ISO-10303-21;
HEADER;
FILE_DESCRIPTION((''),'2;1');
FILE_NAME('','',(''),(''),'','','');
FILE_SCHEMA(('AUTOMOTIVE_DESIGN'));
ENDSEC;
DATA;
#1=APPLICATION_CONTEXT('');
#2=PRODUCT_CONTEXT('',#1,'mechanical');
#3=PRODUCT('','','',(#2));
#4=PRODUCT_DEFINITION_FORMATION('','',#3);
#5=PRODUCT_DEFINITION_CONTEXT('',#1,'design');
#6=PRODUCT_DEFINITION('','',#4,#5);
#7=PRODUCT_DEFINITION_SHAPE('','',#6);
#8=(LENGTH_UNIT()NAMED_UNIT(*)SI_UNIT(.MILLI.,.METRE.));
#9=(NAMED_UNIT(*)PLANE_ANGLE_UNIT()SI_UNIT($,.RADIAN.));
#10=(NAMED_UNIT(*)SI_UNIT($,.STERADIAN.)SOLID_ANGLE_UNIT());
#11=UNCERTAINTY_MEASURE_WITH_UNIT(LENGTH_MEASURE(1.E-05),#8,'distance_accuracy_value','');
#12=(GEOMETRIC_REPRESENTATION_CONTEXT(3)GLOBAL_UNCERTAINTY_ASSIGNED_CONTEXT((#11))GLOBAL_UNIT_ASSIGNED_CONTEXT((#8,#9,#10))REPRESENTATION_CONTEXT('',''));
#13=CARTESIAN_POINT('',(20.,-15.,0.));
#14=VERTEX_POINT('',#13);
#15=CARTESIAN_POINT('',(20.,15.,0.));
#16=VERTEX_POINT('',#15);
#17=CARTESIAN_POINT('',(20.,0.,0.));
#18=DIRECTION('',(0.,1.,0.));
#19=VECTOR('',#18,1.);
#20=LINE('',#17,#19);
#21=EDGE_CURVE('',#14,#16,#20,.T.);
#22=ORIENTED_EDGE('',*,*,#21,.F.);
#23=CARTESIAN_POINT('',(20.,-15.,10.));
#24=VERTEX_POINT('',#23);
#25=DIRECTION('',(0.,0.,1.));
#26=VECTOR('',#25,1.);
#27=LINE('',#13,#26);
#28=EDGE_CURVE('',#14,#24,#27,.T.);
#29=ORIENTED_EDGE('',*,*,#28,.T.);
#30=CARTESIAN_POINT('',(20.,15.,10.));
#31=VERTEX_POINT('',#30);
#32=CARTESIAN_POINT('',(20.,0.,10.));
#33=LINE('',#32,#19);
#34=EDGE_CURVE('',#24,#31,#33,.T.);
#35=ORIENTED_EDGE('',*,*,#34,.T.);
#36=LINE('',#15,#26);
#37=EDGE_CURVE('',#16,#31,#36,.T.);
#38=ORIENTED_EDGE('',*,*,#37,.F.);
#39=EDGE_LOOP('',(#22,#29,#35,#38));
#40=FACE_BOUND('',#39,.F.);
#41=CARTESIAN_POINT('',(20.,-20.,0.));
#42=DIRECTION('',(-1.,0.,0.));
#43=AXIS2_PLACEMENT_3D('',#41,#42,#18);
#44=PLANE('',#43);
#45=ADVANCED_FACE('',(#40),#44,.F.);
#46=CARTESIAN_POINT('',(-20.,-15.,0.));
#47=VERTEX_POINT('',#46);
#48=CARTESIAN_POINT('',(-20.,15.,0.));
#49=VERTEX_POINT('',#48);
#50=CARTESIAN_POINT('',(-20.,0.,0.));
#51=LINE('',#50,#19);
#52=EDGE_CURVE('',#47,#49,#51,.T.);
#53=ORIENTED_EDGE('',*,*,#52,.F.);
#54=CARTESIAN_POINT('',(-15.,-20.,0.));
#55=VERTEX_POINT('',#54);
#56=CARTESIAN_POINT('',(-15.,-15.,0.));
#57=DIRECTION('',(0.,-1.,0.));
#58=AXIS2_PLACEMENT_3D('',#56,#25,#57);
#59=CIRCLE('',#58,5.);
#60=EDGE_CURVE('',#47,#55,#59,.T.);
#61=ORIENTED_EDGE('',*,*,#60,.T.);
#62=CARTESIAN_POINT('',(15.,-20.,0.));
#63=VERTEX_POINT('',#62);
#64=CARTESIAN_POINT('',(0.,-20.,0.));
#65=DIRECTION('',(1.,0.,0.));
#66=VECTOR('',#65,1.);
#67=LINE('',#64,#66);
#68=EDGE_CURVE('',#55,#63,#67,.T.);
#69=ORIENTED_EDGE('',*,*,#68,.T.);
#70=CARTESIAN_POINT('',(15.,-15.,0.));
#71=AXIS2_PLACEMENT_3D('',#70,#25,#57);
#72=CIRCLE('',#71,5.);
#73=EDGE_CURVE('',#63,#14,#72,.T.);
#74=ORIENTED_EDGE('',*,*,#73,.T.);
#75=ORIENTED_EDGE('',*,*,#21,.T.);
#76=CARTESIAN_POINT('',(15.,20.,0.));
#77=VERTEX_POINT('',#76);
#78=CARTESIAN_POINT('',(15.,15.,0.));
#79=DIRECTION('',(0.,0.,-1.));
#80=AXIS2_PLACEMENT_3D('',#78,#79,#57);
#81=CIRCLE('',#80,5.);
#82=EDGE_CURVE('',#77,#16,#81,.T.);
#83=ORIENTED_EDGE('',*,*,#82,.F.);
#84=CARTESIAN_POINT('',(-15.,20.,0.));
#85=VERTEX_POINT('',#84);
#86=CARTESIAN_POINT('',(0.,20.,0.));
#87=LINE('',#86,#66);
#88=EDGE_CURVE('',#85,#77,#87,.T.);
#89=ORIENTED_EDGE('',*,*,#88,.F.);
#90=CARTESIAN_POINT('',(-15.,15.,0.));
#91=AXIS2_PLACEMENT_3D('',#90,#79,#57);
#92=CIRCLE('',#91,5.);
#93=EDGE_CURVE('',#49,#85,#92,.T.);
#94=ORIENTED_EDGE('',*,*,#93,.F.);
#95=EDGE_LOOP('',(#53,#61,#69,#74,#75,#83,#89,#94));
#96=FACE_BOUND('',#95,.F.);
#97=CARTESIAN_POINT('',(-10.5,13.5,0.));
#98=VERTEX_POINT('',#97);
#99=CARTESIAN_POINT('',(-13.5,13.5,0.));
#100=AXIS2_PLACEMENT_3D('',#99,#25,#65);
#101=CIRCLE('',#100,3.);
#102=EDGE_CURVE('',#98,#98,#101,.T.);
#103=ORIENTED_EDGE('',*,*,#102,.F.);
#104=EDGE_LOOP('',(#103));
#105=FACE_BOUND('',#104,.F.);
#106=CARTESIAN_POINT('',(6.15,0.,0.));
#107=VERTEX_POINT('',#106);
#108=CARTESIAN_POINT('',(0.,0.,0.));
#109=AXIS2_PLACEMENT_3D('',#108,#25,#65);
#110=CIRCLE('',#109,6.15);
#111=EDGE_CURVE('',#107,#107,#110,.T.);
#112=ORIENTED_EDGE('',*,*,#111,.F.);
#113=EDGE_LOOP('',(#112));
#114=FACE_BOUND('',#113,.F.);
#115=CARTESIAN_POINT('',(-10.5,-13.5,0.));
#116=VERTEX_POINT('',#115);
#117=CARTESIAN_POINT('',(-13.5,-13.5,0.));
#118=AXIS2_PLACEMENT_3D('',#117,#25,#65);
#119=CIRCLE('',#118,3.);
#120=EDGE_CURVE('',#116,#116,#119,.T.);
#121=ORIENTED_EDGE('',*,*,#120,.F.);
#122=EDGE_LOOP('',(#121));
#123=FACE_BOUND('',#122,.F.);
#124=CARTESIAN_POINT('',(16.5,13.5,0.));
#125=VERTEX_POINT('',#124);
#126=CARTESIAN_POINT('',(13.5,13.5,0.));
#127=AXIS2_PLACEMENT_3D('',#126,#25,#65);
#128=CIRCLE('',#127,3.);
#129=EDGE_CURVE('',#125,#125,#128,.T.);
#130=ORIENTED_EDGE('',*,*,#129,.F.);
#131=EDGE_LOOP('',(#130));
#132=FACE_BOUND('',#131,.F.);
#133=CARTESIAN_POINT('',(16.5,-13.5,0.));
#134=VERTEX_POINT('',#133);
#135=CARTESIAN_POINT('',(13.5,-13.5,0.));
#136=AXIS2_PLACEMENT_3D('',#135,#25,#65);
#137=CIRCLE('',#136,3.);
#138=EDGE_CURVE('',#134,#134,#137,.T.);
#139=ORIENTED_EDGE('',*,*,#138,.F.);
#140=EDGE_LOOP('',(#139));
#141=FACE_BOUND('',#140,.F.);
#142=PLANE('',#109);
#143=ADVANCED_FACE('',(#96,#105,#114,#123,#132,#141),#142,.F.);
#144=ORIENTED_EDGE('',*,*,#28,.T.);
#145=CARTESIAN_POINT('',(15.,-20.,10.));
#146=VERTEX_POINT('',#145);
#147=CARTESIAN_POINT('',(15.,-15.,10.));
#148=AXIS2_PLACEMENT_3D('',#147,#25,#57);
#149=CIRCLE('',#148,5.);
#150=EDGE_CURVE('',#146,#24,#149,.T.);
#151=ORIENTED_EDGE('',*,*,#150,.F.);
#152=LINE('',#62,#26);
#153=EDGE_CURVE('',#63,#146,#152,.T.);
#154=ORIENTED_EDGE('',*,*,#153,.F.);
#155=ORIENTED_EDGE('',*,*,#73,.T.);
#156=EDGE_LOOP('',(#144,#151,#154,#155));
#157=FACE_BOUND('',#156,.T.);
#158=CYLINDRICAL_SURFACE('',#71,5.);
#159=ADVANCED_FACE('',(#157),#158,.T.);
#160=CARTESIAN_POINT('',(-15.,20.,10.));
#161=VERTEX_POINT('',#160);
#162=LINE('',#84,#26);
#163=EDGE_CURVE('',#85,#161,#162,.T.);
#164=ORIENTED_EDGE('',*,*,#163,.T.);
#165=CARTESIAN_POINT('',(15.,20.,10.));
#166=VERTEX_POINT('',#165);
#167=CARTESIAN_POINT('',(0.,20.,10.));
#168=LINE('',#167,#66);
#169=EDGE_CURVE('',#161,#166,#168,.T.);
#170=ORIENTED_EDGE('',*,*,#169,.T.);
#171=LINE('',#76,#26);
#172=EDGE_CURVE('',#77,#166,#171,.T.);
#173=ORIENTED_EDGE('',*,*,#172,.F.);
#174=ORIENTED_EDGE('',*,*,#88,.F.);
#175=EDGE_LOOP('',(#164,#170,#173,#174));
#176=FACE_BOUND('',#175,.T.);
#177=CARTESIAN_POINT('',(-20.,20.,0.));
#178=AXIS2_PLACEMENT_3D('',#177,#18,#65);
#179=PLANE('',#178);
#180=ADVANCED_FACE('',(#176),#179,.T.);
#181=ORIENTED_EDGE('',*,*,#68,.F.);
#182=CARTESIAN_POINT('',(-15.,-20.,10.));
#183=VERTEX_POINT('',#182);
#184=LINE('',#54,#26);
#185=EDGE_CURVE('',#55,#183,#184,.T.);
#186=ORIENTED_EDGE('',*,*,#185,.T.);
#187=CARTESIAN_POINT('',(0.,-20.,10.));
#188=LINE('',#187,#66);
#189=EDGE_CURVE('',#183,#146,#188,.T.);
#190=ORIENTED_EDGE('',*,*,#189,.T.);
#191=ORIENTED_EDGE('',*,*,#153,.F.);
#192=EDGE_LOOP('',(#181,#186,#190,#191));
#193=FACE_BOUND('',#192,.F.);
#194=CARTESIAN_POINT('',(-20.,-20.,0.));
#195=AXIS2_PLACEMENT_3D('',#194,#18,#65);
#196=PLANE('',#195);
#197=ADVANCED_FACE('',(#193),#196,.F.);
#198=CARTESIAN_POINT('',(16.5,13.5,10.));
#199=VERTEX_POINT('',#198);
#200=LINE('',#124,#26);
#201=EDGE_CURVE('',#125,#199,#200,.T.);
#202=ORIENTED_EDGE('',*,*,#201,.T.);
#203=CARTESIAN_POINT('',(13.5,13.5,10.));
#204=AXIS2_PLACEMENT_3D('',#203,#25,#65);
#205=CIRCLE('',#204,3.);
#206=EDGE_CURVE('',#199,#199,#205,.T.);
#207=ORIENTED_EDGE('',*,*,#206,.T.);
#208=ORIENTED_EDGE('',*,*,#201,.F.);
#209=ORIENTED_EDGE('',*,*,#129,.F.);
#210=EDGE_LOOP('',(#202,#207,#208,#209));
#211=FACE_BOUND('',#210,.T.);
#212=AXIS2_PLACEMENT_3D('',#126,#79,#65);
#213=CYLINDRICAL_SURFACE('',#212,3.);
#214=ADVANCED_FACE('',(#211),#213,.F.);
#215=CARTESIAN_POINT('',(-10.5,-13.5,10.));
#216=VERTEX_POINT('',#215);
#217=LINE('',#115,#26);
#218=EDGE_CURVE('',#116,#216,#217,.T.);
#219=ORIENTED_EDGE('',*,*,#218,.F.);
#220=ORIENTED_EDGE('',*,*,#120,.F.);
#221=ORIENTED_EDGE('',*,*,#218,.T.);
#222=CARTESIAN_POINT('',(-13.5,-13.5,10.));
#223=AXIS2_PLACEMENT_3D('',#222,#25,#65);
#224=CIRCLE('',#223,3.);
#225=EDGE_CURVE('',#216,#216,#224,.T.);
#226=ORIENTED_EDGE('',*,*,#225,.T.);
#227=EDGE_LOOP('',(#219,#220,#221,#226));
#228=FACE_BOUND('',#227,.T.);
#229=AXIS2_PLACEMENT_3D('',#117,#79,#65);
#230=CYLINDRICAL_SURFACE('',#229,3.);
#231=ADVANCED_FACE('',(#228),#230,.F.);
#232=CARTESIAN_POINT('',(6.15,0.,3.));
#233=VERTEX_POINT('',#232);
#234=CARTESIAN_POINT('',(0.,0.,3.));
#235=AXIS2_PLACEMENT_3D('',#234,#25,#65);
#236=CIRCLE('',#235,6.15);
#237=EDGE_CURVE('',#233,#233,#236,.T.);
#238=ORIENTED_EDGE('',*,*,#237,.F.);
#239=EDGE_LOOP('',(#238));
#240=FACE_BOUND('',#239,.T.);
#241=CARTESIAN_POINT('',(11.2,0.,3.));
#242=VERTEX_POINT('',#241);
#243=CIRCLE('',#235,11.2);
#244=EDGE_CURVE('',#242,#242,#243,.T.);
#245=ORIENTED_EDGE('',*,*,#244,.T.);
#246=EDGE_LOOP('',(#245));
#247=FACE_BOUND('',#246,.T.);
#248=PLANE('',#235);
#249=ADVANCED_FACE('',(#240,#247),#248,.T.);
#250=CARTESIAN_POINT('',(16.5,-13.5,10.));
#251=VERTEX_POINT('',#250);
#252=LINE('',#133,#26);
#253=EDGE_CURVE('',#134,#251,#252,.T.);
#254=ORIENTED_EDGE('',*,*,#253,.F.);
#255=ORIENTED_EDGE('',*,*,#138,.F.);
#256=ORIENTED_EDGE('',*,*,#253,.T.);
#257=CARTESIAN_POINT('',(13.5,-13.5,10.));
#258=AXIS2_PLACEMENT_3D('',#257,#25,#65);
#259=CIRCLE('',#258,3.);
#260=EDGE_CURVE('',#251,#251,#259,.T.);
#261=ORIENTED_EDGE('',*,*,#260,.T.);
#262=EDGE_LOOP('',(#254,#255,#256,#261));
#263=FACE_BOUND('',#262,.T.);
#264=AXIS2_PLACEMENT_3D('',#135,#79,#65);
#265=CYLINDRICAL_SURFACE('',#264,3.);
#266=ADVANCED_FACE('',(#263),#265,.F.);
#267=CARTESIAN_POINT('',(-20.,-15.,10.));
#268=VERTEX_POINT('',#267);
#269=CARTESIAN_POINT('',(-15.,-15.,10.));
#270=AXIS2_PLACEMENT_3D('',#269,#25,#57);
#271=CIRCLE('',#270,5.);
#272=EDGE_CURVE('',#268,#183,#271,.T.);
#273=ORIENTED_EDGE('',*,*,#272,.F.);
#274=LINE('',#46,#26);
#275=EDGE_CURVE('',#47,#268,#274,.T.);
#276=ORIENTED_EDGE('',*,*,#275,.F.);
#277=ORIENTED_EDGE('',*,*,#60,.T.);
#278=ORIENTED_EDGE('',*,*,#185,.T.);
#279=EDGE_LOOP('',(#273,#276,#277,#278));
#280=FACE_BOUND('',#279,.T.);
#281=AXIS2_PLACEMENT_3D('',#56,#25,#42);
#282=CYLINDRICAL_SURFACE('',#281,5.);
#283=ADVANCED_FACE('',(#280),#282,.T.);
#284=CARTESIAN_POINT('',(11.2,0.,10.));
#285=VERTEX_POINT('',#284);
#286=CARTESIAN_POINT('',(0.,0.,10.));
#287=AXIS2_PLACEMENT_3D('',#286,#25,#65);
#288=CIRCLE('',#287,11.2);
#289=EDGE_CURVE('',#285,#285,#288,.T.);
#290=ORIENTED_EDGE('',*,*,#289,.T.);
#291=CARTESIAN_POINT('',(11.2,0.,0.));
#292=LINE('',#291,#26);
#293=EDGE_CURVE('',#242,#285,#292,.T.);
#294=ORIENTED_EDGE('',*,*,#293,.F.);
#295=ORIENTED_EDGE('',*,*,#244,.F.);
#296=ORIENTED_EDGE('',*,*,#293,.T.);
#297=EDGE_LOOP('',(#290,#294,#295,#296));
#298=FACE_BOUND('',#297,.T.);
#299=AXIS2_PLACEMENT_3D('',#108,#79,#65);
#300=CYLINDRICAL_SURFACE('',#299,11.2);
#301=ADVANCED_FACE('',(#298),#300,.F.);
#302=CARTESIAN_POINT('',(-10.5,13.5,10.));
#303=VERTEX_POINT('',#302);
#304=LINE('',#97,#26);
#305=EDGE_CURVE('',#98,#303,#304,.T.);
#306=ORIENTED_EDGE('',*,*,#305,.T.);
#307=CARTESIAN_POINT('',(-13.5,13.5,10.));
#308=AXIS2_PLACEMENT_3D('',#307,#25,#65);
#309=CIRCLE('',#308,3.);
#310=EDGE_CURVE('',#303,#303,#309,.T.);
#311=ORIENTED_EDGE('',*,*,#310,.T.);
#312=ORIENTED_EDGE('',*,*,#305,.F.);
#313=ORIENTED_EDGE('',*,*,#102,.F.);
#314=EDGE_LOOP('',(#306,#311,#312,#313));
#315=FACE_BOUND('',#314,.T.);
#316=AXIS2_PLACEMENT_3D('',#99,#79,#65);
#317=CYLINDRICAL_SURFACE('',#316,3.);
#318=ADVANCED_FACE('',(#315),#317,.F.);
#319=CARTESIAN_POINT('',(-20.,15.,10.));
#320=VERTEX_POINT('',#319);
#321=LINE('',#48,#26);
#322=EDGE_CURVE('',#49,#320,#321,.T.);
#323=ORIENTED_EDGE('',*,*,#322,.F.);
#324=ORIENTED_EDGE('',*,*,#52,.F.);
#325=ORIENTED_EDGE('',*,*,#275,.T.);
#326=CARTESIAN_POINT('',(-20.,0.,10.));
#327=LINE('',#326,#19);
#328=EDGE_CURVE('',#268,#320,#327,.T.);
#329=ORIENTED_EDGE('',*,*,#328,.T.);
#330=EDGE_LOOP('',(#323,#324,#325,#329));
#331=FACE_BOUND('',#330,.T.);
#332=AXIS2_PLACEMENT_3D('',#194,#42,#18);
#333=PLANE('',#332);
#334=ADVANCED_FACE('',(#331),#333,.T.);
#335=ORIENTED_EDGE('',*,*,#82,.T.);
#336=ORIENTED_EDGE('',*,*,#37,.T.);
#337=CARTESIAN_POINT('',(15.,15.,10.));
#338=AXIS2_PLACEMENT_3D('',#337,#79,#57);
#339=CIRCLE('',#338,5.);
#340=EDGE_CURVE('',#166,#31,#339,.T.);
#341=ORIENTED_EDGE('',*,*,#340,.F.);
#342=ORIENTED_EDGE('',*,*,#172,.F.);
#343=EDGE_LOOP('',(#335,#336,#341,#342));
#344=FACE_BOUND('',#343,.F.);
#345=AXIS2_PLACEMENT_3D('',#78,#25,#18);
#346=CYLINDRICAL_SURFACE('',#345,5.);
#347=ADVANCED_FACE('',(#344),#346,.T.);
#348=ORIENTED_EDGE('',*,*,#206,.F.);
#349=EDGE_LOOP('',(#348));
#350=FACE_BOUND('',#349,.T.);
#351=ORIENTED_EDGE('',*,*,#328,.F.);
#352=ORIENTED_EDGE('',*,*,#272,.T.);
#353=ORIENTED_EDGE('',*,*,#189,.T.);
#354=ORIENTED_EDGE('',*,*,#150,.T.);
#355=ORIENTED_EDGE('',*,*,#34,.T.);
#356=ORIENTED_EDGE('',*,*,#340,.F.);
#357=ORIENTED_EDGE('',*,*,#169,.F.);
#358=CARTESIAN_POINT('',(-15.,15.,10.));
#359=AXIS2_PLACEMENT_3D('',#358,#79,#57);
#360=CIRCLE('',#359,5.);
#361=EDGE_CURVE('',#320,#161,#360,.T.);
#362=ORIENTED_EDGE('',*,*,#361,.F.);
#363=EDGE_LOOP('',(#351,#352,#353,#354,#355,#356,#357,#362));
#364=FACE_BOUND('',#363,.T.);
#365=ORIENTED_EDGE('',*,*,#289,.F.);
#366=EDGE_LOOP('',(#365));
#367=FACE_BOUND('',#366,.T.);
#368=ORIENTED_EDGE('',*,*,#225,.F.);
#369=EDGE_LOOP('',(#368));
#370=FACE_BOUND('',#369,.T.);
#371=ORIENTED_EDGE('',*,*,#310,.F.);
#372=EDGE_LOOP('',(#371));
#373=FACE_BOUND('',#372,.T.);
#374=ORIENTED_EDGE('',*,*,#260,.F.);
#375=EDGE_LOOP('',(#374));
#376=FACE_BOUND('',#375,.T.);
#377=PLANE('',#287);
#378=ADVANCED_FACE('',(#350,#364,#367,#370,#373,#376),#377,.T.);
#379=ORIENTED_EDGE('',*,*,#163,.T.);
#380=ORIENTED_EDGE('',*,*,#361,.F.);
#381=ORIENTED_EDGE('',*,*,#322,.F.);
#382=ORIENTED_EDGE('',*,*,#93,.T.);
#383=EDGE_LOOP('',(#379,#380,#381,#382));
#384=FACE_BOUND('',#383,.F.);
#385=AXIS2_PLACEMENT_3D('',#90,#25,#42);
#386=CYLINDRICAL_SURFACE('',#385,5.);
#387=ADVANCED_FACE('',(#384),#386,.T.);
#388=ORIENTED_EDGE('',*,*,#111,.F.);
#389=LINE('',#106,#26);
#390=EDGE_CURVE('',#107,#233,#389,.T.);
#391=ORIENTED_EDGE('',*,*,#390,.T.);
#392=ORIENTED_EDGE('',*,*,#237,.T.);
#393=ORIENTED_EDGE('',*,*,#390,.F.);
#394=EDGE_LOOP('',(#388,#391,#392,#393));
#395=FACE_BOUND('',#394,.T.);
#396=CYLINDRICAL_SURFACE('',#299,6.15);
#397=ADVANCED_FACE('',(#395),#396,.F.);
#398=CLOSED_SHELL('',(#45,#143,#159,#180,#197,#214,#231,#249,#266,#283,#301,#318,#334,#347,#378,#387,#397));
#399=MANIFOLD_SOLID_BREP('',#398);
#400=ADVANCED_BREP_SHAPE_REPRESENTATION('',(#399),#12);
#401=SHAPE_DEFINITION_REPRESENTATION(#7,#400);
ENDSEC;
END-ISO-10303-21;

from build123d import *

# Parameters (mm, degrees)
F0_W     = 40
F0_H     = 40
F0_R     = 3
F0_R_2   = 11.2
F1_DEPTH = 10
F0_R_3   = 6.15
F2_DEPTH = 3
F3_R     = 5


with BuildPart() as f1:
    # F0 (on Top) → F1 (new body)
    with BuildSketch(Plane.XY):
        Rectangle(F0_W, F0_H)
        with Locations((-13.5, -13.5)):
            Circle(F0_R, mode=Mode.SUBTRACT)
        with Locations((13.5, -13.5)):
            Circle(F0_R, mode=Mode.SUBTRACT)
        with Locations((-13.5, 13.5)):
            Circle(F0_R, mode=Mode.SUBTRACT)
        Circle(F0_R_2, mode=Mode.SUBTRACT)
        with Locations((13.5, 13.5)):
            Circle(F0_R, mode=Mode.SUBTRACT)
    extrude(amount=F1_DEPTH)

    # F0 (on Top) → F2 (join)
    with BuildSketch(Plane.XY):
        Circle(F0_R_2)
        Circle(F0_R_3, mode=Mode.SUBTRACT)
    extrude(amount=F2_DEPTH)

    # F3
    f3_edges = [f1.edges().sort_by_distance(p)[0] for p in [
        (-20, -20, 5),
        (20, -20, 5),
        (20, 20, 5),
        (-20, 20, 5),
    ]]
    fillet(f3_edges, radius=F3_R)


solid = f1.part
